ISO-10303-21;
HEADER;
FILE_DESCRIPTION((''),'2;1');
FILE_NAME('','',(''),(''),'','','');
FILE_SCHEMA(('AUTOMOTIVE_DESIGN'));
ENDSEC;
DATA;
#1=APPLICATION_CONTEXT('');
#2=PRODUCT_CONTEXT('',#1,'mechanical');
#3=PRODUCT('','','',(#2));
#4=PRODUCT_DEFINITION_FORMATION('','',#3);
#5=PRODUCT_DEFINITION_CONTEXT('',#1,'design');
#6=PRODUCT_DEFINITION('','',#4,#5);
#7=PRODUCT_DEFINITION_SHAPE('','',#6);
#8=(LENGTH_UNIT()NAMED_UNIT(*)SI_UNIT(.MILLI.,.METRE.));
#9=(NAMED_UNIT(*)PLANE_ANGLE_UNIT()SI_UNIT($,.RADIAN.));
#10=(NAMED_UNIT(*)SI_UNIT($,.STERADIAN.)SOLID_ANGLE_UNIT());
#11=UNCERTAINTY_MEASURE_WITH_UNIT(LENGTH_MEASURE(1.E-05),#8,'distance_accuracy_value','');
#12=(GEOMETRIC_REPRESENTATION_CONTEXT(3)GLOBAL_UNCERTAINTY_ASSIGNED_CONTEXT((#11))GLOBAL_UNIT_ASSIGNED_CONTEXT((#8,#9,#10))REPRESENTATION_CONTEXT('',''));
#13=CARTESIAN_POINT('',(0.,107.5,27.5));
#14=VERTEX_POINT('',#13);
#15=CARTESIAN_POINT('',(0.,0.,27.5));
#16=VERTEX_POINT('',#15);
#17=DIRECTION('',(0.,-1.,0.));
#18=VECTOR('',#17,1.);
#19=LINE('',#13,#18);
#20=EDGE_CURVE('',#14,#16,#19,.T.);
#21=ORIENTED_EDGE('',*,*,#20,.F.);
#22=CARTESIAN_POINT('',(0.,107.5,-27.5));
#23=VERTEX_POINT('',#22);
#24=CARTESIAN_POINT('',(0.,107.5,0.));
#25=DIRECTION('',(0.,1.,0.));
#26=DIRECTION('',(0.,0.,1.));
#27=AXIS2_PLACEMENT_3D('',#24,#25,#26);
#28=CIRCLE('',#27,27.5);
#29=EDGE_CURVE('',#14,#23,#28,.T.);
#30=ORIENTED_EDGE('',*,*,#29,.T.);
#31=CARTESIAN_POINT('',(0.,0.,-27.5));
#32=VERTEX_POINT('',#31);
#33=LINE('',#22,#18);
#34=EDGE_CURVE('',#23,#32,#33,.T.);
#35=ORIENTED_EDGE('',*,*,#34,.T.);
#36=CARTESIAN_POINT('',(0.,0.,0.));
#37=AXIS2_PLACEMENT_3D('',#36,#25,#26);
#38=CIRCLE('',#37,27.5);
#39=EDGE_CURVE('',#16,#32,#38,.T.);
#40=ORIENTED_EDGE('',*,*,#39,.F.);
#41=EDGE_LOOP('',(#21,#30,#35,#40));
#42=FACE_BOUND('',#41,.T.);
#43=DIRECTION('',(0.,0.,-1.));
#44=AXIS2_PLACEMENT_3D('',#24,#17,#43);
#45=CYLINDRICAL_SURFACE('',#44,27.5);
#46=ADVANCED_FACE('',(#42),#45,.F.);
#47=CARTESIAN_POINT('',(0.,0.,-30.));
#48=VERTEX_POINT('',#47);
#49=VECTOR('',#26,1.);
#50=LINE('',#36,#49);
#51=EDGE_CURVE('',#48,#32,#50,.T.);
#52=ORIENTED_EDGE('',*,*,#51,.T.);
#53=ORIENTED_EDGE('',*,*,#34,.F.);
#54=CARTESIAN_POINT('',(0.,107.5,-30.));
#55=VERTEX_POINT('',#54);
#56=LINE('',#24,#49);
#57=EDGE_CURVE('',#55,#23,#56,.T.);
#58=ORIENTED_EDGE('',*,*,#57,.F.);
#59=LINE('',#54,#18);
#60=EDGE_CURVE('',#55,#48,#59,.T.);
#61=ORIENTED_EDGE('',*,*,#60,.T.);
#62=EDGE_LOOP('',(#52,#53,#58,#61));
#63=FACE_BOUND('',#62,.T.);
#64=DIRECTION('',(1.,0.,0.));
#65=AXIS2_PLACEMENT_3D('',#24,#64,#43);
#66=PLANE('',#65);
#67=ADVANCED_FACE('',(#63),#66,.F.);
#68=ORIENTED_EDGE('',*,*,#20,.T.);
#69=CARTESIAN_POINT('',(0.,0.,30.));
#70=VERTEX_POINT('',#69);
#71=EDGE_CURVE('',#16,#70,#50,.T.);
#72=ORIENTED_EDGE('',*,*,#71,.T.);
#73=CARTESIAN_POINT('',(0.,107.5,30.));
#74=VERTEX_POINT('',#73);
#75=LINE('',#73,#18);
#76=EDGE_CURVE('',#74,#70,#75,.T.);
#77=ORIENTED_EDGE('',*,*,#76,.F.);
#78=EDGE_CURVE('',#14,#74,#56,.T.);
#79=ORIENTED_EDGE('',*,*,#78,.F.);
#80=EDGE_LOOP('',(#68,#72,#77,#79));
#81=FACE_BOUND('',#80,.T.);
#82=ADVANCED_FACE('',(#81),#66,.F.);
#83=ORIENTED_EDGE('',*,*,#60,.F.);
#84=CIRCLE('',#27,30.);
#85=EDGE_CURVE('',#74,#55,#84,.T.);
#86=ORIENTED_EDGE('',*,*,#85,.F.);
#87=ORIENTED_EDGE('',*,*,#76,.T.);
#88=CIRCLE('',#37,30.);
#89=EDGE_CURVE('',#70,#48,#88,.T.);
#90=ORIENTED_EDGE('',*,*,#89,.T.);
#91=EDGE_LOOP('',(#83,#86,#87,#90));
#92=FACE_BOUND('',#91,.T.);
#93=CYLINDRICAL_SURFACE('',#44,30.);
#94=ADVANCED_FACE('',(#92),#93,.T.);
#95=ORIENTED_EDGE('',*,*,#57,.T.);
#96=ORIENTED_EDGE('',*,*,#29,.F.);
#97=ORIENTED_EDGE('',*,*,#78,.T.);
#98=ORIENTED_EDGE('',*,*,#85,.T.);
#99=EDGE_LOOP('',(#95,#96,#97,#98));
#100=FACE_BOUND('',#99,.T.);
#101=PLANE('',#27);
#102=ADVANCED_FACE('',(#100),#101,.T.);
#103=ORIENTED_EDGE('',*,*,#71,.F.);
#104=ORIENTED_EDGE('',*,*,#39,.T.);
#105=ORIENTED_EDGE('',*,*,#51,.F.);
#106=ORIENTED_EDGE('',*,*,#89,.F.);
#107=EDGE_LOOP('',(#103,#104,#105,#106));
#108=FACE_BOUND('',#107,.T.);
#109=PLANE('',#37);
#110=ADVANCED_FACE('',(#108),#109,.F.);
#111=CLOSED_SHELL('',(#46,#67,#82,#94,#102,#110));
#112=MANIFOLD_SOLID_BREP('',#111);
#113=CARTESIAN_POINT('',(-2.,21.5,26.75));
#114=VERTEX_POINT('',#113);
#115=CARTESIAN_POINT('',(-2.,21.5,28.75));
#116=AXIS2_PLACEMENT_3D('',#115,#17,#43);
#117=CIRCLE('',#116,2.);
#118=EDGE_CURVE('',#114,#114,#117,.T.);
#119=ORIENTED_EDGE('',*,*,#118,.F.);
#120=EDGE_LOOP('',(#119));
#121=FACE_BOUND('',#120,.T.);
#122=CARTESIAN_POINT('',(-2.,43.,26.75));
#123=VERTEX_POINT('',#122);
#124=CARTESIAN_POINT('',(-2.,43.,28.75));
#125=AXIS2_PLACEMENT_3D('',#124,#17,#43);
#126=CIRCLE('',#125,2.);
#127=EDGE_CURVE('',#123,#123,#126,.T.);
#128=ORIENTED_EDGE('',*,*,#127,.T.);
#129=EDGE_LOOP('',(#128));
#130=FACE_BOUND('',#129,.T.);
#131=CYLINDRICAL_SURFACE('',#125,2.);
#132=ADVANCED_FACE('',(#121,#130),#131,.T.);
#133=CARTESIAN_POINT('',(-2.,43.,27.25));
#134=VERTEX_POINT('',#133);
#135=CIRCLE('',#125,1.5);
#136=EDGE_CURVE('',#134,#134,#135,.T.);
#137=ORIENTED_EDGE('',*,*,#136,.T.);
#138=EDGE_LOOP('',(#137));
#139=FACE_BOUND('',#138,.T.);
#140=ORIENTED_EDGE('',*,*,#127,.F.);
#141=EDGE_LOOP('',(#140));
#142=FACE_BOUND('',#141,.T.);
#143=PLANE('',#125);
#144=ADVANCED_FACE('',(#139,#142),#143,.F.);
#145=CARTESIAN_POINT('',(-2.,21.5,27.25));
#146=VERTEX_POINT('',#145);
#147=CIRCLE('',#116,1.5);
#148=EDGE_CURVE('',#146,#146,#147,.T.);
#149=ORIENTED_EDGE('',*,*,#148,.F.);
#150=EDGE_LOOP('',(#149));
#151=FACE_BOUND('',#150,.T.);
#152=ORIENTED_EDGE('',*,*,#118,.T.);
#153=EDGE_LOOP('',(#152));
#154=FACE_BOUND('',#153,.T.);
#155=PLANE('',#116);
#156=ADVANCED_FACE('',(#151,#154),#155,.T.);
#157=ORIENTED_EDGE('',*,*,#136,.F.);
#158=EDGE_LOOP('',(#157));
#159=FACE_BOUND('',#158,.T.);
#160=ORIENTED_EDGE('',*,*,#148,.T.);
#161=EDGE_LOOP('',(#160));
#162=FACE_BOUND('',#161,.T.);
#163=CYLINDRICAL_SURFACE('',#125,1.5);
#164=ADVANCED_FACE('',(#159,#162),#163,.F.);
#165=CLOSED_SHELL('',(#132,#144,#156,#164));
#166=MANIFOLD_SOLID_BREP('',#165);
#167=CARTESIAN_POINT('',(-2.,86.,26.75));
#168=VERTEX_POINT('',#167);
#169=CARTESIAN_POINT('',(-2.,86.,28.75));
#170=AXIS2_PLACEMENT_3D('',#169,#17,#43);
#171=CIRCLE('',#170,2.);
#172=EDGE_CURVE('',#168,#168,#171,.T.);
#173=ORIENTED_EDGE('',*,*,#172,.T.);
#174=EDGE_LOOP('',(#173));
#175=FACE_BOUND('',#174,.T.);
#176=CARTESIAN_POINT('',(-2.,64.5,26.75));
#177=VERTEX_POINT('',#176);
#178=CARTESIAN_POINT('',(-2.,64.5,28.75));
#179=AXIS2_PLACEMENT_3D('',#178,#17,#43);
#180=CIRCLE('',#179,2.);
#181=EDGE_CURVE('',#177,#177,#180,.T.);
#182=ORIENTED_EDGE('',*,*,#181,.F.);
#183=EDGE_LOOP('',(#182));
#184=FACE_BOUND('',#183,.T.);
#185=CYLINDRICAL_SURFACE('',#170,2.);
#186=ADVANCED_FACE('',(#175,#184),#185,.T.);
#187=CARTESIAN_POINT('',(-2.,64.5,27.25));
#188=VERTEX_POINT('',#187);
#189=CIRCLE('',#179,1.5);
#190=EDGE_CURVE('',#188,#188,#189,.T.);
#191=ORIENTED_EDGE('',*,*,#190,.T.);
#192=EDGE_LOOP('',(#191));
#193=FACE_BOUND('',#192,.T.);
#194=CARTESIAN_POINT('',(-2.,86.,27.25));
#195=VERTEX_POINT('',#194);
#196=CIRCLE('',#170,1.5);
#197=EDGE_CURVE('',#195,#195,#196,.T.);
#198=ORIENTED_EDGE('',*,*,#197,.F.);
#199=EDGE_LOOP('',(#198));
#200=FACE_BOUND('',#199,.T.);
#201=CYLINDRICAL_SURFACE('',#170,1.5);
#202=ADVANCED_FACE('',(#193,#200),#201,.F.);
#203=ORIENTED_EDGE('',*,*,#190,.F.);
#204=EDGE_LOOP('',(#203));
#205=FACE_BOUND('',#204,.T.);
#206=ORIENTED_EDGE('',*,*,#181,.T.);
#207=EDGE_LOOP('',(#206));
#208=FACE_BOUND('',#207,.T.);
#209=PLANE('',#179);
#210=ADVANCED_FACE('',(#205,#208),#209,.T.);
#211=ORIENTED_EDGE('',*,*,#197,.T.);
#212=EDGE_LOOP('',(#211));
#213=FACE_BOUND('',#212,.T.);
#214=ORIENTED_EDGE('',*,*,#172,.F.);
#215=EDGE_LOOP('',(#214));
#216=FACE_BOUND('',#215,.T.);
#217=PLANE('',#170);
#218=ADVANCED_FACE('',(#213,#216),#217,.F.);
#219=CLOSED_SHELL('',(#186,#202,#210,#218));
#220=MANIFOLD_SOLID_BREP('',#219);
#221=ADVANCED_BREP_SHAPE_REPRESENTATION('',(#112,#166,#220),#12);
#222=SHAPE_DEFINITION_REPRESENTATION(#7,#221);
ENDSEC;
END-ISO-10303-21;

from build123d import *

# Parameters (mm, degrees)
BOSS_EXTRUDE1_DEPTH = 107.5
BOSS_EXTRUDE2_START = -21.5
SKETCH2_R           = 2
SKETCH2_R_2         = 1.5
BOSS_EXTRUDE2_DEPTH = 21.5
LPATTERN1_COUNT     = 2
LPATTERN1_PITCH     = 43


with BuildPart() as part:
    # Sketch1 → Boss-Extrude1 (new body)
    with BuildSketch(Plane(origin=(0, 0, 0), x_dir=(1, 0, 0), z_dir=(0, 1, 0))):
        with BuildLine():
            ThreePointArc((30, 0), (21.213203436, 21.213203436), (0, 30))
            Line((0, 30), (0, 27.5))
            ThreePointArc((0, 27.5), (19.445436483, 19.445436483), (27.5, 0))
            ThreePointArc((27.5, 0), (19.445436483, -19.445436483), (0, -27.5))
            Line((0, -27.5), (0, -30))
            ThreePointArc((0, -30), (21.213203436, -21.213203436), (30, 0))
        make_face()
    extrude(amount=BOSS_EXTRUDE1_DEPTH)


with BuildPart() as body_2:
    # Sketch2 → Boss-Extrude2 (new body)
    with BuildSketch(Plane.XZ.offset(BOSS_EXTRUDE2_START)):
        with Locations(Location((-2, 28.75, 0), (0, 0, 270))):
            Circle(SKETCH2_R)
        with Locations(Location((-2, 28.75, 0), (0, 0, 270))):
            Circle(SKETCH2_R_2, mode=Mode.SUBTRACT)
    boss_extrude2 = extrude(amount=-BOSS_EXTRUDE2_DEPTH)


with BuildPart() as lpattern1_1:
    # LPattern1: Boss-Extrude2 ×2
    with Locations(*[(0, i * LPATTERN1_PITCH, 0) for i in range(1, LPATTERN1_COUNT)]):
        add(boss_extrude2)


solid = Compound([part.part, body_2.part, lpattern1_1.part])
